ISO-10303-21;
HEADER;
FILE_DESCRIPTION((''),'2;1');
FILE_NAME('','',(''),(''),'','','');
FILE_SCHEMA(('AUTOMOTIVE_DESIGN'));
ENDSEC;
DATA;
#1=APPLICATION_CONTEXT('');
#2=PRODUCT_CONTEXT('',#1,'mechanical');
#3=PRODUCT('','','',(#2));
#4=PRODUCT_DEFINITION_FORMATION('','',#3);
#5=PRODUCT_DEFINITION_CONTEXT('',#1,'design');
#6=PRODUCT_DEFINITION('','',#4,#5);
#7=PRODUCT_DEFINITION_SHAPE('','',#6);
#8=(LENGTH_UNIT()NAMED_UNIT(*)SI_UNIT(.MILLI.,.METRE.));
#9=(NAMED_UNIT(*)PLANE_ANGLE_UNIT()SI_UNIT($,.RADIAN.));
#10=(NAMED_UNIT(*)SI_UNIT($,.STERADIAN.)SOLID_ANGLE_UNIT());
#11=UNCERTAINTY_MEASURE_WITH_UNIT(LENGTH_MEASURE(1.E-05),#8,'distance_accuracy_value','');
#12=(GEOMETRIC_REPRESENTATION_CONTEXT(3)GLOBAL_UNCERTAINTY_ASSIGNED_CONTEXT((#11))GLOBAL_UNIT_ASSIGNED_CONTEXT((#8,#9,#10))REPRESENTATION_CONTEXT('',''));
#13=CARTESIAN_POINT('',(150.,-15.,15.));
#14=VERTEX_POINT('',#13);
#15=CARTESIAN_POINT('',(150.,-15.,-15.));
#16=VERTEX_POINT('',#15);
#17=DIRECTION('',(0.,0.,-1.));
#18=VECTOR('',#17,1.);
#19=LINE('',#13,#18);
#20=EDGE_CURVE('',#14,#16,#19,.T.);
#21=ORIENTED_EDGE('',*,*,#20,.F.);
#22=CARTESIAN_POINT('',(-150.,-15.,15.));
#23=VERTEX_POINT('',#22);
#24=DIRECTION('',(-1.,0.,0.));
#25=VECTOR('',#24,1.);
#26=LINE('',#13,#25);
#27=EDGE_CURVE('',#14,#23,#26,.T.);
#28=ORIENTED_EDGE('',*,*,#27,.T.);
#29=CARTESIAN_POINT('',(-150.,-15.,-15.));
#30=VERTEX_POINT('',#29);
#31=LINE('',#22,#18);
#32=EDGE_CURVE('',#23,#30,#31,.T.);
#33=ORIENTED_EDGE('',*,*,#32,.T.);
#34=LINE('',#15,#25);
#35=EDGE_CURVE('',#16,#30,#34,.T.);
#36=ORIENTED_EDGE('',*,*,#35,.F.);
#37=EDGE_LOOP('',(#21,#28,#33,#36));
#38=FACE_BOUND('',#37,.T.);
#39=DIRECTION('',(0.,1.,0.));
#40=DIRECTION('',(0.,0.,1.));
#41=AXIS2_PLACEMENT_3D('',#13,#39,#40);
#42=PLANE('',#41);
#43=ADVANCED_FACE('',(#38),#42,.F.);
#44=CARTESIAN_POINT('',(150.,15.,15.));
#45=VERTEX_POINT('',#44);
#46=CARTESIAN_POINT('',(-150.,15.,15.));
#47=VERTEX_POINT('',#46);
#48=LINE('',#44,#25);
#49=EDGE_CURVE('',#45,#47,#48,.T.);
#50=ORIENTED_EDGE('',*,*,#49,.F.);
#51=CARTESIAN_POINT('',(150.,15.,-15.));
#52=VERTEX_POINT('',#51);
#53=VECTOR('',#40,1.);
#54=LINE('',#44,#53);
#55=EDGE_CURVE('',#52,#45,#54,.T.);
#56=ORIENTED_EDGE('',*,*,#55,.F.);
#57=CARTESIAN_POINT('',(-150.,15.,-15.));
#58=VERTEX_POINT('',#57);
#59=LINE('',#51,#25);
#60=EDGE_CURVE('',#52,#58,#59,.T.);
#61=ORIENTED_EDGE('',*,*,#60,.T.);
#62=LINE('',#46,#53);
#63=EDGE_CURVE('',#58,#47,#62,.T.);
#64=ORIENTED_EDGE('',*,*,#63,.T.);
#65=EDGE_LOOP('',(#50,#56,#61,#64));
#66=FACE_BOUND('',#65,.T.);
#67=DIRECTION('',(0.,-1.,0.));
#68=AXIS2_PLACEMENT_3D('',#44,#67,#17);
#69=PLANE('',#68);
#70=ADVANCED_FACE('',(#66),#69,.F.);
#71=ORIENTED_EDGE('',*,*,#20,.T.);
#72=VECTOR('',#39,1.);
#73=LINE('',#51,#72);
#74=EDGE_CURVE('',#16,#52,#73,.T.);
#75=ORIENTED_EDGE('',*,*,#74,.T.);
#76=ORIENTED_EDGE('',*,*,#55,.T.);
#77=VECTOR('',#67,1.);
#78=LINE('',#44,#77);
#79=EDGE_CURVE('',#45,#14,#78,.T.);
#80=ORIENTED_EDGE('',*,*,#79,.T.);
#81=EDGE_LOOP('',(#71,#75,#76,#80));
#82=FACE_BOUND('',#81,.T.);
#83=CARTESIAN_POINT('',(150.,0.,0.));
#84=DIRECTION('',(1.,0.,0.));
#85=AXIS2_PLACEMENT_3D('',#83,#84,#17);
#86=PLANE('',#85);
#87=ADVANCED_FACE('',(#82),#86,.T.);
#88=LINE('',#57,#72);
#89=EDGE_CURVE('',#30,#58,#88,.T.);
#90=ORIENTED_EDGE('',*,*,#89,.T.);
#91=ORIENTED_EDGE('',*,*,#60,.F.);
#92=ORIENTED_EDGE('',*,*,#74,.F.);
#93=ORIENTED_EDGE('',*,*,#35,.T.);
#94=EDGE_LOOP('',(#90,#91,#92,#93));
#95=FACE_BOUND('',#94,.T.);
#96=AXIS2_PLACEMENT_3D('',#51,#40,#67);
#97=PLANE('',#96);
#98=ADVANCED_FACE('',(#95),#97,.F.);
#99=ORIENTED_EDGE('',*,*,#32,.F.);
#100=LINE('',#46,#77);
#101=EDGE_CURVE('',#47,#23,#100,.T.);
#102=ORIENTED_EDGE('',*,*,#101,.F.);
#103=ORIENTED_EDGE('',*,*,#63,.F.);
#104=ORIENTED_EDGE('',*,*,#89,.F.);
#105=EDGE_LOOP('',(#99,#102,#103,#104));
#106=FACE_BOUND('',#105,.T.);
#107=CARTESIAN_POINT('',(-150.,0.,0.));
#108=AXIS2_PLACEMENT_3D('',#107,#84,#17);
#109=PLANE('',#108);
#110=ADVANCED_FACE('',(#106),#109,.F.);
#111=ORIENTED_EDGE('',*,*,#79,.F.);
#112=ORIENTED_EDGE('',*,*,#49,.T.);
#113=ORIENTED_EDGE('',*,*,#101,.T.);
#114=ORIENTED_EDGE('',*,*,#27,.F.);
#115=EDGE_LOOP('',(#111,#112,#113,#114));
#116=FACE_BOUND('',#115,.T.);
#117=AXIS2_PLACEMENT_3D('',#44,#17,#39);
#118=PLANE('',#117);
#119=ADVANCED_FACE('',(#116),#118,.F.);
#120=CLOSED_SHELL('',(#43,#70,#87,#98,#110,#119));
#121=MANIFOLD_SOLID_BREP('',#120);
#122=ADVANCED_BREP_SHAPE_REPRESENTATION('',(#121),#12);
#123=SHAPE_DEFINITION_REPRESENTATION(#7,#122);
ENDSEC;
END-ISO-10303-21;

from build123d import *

# Parameters (mm, degrees)
CROQUIS1_W              = 30
CROQUIS1_H              = 30
SALIENTE_EXTRUIR1_DEPTH = 150


with BuildPart() as part:
    # Croquis1 → Saliente-Extruir1 (new body, symmetric)
    with BuildSketch(Plane(origin=(0, 0, 0), x_dir=(0, 0, -1), z_dir=(1, 0, 0))):
        Rectangle(CROQUIS1_W, CROQUIS1_H)
    extrude(amount=SALIENTE_EXTRUIR1_DEPTH, both=True)


solid = part.part
